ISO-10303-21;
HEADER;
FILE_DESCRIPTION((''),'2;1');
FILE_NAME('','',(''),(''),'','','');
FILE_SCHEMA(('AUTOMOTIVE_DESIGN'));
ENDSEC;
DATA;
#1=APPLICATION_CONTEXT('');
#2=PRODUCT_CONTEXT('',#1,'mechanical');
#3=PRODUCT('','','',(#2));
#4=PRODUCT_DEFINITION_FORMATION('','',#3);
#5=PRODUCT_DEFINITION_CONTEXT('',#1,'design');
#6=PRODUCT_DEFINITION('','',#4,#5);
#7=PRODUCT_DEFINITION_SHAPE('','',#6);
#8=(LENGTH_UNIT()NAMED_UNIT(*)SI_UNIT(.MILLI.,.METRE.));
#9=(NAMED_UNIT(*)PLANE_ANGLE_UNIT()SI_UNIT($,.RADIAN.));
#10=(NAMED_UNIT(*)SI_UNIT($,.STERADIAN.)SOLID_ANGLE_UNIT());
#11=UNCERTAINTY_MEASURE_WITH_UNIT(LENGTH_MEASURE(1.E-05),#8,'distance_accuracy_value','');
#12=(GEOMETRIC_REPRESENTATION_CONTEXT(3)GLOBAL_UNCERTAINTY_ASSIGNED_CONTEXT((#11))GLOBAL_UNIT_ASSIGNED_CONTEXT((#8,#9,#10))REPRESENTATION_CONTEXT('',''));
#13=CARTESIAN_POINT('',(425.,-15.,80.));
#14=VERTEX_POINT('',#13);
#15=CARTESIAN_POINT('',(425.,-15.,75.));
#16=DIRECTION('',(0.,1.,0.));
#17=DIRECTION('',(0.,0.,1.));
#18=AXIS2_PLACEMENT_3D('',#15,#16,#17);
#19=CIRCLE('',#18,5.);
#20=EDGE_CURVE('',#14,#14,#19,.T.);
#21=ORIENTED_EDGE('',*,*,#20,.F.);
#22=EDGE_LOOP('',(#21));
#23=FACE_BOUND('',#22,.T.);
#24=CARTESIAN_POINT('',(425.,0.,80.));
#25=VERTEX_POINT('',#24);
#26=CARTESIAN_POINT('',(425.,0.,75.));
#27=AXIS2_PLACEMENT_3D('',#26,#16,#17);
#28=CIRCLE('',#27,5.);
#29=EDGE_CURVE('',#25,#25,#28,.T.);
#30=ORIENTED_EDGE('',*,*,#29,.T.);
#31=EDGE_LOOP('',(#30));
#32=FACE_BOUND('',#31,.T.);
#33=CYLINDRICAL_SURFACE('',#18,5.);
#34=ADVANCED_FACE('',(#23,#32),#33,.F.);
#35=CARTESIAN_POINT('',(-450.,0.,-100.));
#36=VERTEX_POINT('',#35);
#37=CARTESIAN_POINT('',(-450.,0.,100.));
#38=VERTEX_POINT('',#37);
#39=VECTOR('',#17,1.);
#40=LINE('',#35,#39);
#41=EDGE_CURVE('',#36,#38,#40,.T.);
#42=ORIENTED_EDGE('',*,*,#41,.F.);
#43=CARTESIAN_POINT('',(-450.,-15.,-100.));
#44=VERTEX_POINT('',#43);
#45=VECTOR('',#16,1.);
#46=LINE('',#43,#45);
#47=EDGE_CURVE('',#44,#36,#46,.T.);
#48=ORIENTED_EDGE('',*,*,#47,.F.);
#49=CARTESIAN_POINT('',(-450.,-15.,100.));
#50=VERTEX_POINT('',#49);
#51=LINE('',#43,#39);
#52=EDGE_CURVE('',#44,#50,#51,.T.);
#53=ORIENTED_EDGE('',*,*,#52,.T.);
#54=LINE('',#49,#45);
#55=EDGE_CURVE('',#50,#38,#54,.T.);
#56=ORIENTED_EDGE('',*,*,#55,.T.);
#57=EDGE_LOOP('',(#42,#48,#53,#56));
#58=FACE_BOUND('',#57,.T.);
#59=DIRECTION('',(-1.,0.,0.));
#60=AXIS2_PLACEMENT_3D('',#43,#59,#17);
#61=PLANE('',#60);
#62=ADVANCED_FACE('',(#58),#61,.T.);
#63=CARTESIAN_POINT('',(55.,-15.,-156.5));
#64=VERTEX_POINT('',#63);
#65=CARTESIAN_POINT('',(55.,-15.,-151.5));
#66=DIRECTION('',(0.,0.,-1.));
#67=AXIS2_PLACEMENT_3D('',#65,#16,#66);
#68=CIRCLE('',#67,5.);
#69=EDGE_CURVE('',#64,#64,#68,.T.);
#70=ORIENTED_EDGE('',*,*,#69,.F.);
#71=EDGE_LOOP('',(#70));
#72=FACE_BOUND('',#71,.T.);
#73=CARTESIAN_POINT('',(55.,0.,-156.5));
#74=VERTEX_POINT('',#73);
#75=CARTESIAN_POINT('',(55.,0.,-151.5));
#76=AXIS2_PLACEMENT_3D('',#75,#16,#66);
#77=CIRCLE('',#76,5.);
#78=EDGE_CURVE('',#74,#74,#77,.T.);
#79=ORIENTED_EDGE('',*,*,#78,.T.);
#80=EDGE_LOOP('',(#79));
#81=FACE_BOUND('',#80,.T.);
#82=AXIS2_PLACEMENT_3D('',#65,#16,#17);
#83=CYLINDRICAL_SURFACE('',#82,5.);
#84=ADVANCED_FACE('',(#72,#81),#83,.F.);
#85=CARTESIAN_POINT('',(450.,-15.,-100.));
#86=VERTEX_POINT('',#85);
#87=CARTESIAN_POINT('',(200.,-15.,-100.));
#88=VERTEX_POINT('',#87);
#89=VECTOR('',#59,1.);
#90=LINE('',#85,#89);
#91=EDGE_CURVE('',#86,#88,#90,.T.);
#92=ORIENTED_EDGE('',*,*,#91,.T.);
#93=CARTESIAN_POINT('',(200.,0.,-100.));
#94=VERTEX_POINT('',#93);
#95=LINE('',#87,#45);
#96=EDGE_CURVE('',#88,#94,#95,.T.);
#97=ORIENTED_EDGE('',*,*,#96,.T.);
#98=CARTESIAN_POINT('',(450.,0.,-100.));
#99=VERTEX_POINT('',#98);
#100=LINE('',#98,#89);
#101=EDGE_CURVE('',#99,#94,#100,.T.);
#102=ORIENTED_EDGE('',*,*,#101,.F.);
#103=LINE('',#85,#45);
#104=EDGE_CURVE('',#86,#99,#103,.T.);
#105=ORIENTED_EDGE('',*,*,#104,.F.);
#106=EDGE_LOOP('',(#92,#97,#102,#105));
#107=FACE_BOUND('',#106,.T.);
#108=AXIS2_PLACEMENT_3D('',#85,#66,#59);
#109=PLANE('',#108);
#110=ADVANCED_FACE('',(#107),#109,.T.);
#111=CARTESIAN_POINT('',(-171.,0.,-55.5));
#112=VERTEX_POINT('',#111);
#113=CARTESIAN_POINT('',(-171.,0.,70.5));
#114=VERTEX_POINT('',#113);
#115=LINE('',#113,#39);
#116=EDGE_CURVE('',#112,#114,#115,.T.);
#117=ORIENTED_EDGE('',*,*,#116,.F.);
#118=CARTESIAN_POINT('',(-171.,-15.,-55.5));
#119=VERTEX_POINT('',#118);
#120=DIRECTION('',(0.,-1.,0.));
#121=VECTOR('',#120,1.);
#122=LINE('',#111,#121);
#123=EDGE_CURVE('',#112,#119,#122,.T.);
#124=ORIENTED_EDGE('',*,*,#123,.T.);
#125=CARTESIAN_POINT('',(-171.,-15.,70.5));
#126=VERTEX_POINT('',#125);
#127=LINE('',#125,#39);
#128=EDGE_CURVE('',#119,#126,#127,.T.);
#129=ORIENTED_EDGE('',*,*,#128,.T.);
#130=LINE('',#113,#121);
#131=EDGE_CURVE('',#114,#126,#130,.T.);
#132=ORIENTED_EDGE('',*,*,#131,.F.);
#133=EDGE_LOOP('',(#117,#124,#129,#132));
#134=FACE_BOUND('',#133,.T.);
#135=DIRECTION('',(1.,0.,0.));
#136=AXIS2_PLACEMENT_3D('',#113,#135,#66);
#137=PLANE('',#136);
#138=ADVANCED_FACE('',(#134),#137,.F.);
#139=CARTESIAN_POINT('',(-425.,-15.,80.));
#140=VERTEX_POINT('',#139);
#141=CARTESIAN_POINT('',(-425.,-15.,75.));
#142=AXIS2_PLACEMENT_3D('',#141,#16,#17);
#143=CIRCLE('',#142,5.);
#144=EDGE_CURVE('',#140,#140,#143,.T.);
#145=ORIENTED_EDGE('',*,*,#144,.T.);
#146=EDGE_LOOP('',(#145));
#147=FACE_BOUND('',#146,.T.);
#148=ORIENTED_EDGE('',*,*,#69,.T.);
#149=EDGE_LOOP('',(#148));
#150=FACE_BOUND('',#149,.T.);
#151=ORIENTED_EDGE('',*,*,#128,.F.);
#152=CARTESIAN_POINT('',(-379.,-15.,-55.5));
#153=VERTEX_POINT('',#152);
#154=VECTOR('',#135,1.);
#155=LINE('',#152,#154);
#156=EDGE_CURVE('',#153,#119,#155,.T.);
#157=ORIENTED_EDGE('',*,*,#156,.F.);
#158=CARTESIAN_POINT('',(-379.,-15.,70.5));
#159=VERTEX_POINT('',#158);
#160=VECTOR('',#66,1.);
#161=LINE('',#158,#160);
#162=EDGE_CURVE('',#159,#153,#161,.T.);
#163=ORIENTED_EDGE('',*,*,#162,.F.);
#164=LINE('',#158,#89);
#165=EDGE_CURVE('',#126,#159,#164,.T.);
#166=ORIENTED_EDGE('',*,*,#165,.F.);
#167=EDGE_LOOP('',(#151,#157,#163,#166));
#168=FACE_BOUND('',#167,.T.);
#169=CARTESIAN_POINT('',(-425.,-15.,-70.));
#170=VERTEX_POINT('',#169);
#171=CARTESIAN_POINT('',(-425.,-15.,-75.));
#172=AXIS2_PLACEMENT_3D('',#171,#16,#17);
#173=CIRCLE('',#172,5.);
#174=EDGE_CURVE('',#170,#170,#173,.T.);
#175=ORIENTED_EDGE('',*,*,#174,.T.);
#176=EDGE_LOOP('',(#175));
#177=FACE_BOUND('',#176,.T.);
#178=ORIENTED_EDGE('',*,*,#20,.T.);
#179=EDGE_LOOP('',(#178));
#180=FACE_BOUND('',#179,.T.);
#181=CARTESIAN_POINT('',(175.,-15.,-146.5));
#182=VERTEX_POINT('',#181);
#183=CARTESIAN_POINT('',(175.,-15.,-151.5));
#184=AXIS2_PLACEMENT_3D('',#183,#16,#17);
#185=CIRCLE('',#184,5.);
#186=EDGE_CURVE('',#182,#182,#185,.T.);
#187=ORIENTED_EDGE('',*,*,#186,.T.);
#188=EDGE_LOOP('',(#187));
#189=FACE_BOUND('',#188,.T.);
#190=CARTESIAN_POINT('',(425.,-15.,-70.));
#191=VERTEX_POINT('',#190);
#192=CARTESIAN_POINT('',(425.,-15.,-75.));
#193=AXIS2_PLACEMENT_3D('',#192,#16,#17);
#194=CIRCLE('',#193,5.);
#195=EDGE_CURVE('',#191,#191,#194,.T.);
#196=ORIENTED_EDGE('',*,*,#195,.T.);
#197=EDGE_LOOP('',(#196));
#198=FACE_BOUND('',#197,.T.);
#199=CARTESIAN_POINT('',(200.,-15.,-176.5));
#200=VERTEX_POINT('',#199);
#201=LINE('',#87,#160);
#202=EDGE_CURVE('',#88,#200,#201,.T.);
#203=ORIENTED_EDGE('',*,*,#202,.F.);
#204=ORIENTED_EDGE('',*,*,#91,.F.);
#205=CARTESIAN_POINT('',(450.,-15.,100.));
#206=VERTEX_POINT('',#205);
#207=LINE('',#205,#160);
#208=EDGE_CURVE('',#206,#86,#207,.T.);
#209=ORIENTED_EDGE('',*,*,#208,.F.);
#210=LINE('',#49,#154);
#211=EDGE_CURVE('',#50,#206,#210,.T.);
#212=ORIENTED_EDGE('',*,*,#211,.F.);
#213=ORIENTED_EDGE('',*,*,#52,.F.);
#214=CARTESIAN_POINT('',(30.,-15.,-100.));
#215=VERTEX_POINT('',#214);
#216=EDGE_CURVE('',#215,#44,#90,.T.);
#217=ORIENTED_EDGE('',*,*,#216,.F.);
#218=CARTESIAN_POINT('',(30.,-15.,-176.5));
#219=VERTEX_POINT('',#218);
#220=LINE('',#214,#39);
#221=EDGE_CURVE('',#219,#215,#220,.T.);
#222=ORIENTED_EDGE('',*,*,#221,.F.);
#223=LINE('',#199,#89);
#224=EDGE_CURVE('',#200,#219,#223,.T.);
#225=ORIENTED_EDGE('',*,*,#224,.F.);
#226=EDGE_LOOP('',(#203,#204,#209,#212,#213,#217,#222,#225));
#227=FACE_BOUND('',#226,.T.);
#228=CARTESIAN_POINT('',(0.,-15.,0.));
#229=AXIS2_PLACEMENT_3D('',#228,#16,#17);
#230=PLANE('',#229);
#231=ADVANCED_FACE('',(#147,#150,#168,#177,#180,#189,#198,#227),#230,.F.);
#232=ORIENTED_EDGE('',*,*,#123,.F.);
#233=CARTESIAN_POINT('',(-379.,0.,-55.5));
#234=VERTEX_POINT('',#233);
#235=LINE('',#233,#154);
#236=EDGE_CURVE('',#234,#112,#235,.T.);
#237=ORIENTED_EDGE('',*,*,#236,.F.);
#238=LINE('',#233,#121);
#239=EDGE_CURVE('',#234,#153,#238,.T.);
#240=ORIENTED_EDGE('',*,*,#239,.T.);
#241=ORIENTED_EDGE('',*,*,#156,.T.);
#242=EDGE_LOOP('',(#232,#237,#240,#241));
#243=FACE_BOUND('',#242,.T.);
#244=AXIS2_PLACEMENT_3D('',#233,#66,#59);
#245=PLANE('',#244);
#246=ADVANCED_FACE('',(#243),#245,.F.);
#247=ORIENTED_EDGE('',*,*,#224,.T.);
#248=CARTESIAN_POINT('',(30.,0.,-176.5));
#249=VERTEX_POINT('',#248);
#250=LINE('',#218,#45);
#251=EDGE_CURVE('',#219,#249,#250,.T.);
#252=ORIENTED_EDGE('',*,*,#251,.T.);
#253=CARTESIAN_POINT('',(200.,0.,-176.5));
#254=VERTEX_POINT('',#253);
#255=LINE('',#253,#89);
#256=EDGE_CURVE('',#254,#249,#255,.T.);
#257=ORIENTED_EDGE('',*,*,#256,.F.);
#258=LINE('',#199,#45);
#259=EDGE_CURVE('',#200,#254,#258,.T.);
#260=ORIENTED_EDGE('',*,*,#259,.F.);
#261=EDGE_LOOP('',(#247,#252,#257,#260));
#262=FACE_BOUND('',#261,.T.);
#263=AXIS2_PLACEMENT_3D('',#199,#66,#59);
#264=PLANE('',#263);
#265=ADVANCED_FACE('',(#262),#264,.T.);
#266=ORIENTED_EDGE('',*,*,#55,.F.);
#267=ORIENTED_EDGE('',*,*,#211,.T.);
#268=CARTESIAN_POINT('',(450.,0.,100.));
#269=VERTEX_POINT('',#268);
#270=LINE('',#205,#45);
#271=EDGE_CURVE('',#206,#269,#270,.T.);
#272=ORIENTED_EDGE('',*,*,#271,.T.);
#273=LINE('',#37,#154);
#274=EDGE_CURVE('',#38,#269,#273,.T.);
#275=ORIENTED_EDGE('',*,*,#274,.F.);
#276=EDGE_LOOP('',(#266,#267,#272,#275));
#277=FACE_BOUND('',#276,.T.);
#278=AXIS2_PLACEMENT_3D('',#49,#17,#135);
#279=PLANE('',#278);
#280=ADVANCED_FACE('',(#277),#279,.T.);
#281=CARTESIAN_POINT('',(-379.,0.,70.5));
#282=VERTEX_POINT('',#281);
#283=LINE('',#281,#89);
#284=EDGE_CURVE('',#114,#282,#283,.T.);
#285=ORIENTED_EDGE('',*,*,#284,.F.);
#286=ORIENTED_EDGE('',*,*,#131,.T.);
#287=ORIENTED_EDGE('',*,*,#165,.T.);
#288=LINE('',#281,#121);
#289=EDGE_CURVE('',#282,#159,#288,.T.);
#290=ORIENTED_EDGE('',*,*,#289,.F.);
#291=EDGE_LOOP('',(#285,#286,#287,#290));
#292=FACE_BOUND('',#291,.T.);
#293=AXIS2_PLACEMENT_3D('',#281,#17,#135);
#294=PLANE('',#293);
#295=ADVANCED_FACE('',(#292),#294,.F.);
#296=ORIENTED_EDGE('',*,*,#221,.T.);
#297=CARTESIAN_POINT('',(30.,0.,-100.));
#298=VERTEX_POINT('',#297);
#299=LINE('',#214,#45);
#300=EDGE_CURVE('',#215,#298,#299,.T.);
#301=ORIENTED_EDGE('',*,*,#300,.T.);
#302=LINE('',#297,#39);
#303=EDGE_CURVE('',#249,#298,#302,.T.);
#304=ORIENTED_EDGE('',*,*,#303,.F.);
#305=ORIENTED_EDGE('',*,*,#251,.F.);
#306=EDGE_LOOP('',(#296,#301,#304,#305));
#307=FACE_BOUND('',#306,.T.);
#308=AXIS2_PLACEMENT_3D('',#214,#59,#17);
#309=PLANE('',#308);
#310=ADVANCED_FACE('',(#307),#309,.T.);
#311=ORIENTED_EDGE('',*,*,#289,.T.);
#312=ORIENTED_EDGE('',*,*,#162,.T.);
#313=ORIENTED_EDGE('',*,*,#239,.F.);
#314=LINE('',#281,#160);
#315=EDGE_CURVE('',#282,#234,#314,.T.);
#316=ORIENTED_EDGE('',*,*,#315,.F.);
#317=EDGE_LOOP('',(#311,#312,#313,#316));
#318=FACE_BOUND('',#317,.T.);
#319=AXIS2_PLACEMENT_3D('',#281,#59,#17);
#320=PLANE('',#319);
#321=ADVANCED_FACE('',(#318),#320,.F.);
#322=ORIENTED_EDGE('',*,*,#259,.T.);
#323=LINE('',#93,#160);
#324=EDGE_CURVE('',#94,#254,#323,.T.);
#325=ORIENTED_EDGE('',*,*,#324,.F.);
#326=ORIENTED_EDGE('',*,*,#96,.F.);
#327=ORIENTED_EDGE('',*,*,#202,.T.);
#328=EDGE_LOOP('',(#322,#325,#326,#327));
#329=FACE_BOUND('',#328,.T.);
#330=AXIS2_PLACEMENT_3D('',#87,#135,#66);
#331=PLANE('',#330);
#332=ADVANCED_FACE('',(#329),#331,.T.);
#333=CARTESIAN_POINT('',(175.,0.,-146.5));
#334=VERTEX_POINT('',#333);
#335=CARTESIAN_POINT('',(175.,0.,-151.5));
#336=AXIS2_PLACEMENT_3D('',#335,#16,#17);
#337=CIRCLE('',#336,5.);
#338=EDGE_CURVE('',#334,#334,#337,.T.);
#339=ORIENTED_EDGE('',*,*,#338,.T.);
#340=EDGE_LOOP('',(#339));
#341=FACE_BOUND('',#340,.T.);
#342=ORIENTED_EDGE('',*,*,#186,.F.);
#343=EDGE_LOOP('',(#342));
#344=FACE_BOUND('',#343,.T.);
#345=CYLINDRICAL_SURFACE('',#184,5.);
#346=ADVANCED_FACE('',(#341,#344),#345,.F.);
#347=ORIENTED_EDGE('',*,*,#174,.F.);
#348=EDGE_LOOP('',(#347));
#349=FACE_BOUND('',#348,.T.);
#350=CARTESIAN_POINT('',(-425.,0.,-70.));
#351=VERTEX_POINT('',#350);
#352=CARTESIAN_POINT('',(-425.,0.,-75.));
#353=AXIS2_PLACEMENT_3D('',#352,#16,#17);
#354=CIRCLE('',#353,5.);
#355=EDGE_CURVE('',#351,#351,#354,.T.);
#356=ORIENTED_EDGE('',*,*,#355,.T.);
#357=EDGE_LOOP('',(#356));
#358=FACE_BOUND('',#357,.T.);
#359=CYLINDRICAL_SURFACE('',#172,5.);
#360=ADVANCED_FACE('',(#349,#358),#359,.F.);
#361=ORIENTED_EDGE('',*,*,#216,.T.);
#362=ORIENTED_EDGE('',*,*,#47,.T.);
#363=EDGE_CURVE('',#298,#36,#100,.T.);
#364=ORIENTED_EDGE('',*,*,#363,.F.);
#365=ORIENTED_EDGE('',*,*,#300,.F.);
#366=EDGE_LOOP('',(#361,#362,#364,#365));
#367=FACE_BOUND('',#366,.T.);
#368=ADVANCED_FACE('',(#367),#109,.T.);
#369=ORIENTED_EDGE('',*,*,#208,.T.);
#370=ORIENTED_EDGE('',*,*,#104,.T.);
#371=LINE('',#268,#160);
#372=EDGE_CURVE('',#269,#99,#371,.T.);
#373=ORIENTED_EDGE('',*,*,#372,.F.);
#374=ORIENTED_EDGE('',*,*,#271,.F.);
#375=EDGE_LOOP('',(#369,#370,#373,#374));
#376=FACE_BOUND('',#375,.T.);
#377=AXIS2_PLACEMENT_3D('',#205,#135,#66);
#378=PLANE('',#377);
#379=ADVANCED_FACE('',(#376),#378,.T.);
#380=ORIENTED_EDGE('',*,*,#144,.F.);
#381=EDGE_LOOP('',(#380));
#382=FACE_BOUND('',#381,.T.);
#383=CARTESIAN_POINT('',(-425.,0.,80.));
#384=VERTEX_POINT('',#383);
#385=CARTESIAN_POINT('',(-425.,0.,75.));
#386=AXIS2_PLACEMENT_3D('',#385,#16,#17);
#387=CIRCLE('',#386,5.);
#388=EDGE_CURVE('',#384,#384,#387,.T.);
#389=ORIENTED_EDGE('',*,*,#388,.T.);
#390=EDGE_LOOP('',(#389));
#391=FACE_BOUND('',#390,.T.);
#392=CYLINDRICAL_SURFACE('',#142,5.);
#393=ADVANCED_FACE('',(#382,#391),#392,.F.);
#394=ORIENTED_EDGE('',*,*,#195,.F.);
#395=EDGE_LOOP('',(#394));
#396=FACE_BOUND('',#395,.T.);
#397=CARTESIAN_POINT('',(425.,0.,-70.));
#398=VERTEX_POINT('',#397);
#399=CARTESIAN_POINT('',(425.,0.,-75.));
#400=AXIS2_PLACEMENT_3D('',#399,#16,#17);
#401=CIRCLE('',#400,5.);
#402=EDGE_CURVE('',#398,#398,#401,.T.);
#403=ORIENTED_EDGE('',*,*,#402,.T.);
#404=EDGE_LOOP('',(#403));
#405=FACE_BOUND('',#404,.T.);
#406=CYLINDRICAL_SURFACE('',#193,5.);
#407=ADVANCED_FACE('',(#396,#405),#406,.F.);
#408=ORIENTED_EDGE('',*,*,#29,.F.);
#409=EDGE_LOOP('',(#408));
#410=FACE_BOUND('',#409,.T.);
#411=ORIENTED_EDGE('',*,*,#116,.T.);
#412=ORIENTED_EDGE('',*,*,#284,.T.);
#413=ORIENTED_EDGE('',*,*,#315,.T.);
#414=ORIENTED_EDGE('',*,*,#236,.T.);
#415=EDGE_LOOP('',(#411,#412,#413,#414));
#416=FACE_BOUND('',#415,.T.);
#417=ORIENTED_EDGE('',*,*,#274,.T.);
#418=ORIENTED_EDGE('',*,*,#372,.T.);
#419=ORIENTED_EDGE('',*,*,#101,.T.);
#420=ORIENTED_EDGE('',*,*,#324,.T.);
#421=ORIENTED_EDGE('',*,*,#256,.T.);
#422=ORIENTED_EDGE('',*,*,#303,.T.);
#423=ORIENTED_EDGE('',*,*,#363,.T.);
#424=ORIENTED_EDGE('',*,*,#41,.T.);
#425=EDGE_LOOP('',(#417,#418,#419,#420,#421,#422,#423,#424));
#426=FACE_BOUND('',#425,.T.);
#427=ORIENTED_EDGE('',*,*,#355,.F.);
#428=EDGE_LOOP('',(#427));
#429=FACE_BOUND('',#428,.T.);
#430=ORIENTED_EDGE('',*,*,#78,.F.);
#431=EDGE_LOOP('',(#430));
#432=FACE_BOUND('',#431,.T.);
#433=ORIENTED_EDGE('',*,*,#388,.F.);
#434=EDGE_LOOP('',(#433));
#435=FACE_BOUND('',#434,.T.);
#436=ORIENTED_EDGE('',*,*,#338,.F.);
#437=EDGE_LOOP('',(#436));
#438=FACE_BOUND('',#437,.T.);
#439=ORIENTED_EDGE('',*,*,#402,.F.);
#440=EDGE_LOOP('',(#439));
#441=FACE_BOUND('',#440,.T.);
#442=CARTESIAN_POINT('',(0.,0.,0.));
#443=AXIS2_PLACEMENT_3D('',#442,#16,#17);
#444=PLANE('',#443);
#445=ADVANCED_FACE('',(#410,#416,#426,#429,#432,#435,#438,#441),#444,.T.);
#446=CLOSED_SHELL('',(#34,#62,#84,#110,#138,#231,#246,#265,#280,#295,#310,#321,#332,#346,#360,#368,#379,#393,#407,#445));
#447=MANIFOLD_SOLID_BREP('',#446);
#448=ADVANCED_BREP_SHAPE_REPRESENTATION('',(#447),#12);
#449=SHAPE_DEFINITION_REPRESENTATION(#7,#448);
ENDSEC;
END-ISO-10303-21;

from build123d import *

# Parameters (mm, degrees)
SKETCH1_W              = 900
SKETCH1_H              = 200
SKETCH1_R              = 5
BOSS_EXTRUDE1_DEPTH    = 15
SKETCH2_W              = 208
SKETCH2_H              = 126
SHREDDER_OPENING_DEPTH = 16
SKETCH3_W              = 170
SKETCH3_H              = 76.5
SKETCH3_R              = 5
LEGS_ADD_ON_DEPTH      = 15


with BuildPart() as part:
    # Sketch1 → Boss-Extrude1 (new body)
    with BuildSketch(Plane(origin=(0, 0, 0), x_dir=(1, 0, 0), z_dir=(0, 1, 0))):
        Rectangle(SKETCH1_W, SKETCH1_H)
        with Locations((425, -75)):
            Circle(SKETCH1_R, mode=Mode.SUBTRACT)
        with Locations((425, 75)):
            Circle(SKETCH1_R, mode=Mode.SUBTRACT)
        with Locations((-425, -75)):
            Circle(SKETCH1_R, mode=Mode.SUBTRACT)
        with Locations((-425, 75)):
            Circle(SKETCH1_R, mode=Mode.SUBTRACT)
    extrude(amount=-BOSS_EXTRUDE1_DEPTH)

    # Sketch2 → Shredder Opening (cut, through all)
    with BuildSketch(Plane.XZ.offset(15)):
        with Locations((-275, 7.5)):
            Rectangle(SKETCH2_W, SKETCH2_H)
    extrude(amount=-SHREDDER_OPENING_DEPTH, mode=Mode.SUBTRACT)

    # Sketch3 → Legs add on (add, through all)
    with BuildSketch(Plane(origin=(0, 0, 0), x_dir=(1, 0, 0), z_dir=(0, 1, 0))):
        with Locations((115, 138.25)):
            Rectangle(SKETCH3_W, SKETCH3_H)
        with Locations((175, 151.5)):
            Circle(SKETCH3_R, mode=Mode.SUBTRACT)
        with Locations((55, 151.5)):
            Circle(SKETCH3_R, mode=Mode.SUBTRACT)
    extrude(amount=-LEGS_ADD_ON_DEPTH)


solid = part.part
